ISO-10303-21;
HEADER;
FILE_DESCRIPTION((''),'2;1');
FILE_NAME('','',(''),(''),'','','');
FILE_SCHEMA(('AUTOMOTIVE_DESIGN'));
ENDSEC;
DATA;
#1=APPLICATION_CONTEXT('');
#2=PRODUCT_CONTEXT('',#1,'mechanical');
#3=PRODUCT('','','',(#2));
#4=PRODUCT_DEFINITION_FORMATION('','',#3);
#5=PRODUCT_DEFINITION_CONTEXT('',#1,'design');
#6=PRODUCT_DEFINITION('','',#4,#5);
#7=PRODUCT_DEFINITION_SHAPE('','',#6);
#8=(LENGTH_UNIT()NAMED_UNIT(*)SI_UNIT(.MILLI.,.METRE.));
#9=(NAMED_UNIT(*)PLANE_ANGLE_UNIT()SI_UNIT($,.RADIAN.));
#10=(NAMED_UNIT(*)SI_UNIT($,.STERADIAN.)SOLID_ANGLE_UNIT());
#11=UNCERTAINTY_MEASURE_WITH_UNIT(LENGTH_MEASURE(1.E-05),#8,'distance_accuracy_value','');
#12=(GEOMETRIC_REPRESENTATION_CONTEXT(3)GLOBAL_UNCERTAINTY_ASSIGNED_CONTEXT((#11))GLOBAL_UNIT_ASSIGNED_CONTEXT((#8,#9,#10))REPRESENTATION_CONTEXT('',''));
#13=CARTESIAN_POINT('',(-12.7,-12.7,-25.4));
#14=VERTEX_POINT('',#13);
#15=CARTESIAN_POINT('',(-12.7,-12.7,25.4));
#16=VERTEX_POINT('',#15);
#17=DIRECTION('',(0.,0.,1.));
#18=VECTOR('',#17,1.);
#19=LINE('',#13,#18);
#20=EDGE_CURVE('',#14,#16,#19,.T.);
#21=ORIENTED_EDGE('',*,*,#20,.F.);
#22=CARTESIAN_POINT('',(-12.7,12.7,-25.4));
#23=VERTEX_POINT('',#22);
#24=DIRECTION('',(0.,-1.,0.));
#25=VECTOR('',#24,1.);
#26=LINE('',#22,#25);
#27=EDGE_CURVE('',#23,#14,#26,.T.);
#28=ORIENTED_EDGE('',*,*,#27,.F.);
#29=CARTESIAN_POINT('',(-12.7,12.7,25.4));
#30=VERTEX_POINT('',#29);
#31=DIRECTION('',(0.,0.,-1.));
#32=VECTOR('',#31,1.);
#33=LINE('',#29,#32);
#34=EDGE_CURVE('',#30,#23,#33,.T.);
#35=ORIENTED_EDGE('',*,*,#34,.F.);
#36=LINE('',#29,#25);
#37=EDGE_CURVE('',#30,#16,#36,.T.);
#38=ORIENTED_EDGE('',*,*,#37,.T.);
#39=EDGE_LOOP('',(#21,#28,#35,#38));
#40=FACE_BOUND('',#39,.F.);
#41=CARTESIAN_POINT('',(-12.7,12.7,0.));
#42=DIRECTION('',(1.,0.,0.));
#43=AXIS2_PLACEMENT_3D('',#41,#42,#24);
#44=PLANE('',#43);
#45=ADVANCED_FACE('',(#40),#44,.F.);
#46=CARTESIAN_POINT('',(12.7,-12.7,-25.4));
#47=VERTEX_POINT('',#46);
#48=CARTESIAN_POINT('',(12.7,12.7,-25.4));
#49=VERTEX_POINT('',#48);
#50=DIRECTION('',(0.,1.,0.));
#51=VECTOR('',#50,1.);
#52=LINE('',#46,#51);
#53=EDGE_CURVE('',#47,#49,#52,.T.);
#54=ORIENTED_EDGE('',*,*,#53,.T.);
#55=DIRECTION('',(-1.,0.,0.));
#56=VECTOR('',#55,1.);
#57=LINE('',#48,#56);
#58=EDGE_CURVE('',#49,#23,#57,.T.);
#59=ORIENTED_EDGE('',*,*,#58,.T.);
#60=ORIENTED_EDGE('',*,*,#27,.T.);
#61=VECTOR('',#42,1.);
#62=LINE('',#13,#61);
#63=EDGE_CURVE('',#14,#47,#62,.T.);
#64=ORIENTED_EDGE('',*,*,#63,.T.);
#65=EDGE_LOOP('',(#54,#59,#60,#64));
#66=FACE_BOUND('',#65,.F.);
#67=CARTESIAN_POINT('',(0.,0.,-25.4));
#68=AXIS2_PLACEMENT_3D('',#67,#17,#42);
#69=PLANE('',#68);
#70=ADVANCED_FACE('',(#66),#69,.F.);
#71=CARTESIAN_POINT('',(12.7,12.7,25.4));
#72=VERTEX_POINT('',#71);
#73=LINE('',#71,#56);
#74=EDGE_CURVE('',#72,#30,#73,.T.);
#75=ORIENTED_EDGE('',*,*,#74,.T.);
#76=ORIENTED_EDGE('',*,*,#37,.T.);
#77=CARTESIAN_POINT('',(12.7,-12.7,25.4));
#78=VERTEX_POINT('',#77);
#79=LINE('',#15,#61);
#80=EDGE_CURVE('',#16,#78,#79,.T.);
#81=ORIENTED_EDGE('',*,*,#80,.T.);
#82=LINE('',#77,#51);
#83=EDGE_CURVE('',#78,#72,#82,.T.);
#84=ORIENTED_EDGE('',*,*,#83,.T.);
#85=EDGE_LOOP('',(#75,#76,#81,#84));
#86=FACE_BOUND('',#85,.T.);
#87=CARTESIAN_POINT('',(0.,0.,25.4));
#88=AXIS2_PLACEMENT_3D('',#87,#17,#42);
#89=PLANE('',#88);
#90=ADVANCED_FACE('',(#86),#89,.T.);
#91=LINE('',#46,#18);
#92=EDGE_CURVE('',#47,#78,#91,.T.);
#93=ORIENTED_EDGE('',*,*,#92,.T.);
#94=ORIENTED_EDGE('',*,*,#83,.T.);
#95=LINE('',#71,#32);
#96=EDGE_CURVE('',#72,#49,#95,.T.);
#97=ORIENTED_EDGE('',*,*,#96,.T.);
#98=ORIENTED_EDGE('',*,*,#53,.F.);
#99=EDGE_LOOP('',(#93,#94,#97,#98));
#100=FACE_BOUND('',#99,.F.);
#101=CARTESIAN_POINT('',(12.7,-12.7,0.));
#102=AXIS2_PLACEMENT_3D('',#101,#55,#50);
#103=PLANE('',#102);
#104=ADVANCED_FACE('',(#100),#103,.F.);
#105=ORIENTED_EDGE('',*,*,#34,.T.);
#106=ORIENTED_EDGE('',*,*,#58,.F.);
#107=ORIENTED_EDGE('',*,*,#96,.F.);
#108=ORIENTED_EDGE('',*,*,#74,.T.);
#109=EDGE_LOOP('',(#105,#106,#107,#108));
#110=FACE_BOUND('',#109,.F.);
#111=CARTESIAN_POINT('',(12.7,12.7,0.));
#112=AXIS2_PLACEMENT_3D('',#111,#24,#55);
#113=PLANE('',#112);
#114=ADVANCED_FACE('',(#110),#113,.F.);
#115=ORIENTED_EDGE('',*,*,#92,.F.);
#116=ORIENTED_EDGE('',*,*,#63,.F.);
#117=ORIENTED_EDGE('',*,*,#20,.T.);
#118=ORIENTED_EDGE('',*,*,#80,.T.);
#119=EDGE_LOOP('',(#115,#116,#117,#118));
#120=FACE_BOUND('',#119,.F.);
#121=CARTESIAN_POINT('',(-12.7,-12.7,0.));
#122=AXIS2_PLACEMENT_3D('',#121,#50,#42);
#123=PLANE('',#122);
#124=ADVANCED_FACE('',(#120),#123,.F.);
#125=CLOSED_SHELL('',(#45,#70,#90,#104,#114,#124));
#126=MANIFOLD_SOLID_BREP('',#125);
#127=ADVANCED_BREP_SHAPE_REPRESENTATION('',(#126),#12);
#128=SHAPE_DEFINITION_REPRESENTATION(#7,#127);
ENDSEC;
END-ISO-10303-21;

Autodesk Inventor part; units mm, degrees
ref_plane "YZ Plane" through (0, 0, 0) normal (1, 0, 0) x (0, 1, 0)
ref_plane "XZ Plane" through (0, 0, 0) normal (0, 1, 0) x (-1, 0, 0)
ref_plane "XY Plane" through (0, 0, 0) normal (0, 0, 1) x (1, 0, 0)
sketch "Sketch1" plane through (0, 0, 0) normal (0, 0, 1) x (1, 0, 0)
  line L0 (-12.7, -12.7) -> (12.7, -12.7)
  line L1 (12.7, -12.7) -> (12.7, 12.7)
  line L2 (12.7, 12.7) -> (-12.7, 12.7)
  line L3 (-12.7, 12.7) -> (-12.7, -12.7)
  line L4 (-12.7, -12.7) -> (12.7, 12.7) construction
  line L5 (12.7, -12.7) -> (-12.7, 12.7) construction
  point P0 (0, 0)
  dimension "d0" = 25.4
  dimension "d1" = 25.4
extrude "Extrusion1" add sketch "Sketch1" along normal mid plane 50.8
properties part number "Test Part"
